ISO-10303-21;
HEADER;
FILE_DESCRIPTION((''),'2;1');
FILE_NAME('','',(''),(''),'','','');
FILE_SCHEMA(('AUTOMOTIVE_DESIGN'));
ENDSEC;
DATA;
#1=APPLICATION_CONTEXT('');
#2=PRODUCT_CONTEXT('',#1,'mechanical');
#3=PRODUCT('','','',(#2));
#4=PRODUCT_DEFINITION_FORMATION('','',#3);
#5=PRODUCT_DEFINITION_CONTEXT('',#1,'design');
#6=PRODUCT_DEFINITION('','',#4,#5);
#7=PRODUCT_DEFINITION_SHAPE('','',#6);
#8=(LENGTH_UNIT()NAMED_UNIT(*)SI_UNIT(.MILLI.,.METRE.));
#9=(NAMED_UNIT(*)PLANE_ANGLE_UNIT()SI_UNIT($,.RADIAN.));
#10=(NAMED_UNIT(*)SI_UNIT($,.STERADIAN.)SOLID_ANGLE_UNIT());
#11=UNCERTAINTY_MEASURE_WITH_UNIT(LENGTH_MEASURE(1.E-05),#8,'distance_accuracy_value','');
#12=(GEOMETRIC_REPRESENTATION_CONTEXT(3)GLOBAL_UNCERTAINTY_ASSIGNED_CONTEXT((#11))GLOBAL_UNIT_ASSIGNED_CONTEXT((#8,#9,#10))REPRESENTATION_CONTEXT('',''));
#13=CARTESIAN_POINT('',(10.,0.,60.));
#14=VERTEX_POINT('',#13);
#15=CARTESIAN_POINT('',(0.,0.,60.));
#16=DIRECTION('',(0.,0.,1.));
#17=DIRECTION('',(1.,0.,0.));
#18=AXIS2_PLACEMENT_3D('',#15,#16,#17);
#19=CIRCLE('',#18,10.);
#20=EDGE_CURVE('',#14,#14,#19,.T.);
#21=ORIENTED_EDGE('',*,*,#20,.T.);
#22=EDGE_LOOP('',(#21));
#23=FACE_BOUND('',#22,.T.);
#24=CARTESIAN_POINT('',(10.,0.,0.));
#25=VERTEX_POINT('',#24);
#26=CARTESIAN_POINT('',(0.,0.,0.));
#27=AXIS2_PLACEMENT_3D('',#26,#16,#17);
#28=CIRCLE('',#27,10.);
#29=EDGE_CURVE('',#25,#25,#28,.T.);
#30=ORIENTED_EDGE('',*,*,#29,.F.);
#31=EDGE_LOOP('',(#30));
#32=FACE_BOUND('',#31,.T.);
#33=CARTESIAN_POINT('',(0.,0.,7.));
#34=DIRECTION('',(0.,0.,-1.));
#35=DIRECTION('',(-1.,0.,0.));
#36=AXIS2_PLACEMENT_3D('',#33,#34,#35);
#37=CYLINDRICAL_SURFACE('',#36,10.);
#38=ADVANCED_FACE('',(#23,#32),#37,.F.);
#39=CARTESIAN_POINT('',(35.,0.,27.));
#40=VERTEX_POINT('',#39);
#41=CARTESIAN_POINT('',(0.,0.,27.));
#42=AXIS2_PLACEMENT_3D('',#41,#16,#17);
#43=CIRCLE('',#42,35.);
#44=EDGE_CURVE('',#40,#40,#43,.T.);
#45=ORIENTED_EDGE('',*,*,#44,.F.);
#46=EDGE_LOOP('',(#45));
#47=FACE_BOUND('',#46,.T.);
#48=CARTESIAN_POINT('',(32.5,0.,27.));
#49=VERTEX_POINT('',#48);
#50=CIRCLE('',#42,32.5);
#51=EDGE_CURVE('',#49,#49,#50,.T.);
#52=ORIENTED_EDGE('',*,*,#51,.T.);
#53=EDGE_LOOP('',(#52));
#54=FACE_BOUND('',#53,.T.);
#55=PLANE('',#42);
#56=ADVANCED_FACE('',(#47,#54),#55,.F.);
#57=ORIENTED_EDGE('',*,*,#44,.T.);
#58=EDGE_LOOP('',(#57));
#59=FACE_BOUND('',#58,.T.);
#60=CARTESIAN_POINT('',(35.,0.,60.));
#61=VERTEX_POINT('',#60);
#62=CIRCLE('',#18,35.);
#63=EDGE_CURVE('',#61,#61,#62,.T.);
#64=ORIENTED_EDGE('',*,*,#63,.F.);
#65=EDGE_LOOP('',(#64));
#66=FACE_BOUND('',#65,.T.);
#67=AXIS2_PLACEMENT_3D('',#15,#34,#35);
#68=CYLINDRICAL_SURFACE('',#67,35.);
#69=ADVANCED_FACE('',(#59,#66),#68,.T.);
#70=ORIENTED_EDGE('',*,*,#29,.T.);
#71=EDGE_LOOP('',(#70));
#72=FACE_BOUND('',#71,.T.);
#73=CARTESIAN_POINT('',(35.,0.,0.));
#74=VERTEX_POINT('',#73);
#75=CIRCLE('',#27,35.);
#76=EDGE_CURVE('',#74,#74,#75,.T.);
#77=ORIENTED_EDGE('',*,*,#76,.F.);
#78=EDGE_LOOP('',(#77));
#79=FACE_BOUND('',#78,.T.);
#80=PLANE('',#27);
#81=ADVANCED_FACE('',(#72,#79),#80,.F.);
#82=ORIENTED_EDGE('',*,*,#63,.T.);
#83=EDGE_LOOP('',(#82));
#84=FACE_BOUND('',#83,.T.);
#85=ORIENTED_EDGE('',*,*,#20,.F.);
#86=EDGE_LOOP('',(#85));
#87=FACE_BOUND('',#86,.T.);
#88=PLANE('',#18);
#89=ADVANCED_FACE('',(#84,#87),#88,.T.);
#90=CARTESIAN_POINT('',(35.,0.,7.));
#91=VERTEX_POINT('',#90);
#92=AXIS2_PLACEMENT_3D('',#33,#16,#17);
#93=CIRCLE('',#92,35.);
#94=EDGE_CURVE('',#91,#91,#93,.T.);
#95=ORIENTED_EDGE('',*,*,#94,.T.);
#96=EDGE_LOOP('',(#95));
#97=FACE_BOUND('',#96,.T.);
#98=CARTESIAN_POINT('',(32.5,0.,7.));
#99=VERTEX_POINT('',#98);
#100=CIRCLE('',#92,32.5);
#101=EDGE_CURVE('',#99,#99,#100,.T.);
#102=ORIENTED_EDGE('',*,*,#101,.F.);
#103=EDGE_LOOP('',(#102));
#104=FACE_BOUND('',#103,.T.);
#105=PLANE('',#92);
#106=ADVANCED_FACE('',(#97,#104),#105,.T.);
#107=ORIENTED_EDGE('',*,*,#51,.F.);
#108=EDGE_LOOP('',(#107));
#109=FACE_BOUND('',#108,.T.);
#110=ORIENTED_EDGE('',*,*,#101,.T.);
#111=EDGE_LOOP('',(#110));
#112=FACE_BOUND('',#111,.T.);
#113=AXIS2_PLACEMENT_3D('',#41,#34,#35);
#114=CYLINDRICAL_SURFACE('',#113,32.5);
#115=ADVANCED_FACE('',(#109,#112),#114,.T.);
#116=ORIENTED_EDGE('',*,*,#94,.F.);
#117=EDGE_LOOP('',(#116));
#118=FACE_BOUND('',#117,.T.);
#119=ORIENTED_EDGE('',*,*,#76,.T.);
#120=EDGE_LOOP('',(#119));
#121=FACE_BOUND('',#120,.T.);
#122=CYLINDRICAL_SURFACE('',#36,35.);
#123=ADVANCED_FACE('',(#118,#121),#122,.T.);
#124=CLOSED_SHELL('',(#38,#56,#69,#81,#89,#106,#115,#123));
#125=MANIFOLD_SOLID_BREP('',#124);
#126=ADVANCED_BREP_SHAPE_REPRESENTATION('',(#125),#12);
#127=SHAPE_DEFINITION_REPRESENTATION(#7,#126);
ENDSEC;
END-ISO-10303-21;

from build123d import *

# Parameters (mm, degrees)
ESQUISSE1_R        = 35
ESQUISSE1_R_2      = 10
BOSS_EXTRU_1_DEPTH = 7
ESQUISSE2_R        = 32.5
ESQUISSE2_R_2      = 10
BOSS_EXTRU_2_DEPTH = 20
ESQUISSE3_R        = 35
ESQUISSE3_R_2      = 10
BOSS_EXTRU_3_DEPTH = 33


with BuildPart() as part:
    # Esquisse1 → Boss.-Extru.1 (new body)
    with BuildSketch(Plane.XY):
        Circle(ESQUISSE1_R)
        Circle(ESQUISSE1_R_2, mode=Mode.SUBTRACT)
    extrude(amount=BOSS_EXTRU_1_DEPTH)

    # Esquisse2 → Boss.-Extru.2 (add)
    with BuildSketch(Plane.XY.offset(7)):
        Circle(ESQUISSE2_R)
        Circle(ESQUISSE2_R_2, mode=Mode.SUBTRACT)
    extrude(amount=BOSS_EXTRU_2_DEPTH)

    # Esquisse3 → Boss.-Extru.3 (add)
    with BuildSketch(Plane.XY.offset(27)):
        Circle(ESQUISSE3_R)
        Circle(ESQUISSE3_R_2, mode=Mode.SUBTRACT)
    extrude(amount=BOSS_EXTRU_3_DEPTH)


solid = part.part
